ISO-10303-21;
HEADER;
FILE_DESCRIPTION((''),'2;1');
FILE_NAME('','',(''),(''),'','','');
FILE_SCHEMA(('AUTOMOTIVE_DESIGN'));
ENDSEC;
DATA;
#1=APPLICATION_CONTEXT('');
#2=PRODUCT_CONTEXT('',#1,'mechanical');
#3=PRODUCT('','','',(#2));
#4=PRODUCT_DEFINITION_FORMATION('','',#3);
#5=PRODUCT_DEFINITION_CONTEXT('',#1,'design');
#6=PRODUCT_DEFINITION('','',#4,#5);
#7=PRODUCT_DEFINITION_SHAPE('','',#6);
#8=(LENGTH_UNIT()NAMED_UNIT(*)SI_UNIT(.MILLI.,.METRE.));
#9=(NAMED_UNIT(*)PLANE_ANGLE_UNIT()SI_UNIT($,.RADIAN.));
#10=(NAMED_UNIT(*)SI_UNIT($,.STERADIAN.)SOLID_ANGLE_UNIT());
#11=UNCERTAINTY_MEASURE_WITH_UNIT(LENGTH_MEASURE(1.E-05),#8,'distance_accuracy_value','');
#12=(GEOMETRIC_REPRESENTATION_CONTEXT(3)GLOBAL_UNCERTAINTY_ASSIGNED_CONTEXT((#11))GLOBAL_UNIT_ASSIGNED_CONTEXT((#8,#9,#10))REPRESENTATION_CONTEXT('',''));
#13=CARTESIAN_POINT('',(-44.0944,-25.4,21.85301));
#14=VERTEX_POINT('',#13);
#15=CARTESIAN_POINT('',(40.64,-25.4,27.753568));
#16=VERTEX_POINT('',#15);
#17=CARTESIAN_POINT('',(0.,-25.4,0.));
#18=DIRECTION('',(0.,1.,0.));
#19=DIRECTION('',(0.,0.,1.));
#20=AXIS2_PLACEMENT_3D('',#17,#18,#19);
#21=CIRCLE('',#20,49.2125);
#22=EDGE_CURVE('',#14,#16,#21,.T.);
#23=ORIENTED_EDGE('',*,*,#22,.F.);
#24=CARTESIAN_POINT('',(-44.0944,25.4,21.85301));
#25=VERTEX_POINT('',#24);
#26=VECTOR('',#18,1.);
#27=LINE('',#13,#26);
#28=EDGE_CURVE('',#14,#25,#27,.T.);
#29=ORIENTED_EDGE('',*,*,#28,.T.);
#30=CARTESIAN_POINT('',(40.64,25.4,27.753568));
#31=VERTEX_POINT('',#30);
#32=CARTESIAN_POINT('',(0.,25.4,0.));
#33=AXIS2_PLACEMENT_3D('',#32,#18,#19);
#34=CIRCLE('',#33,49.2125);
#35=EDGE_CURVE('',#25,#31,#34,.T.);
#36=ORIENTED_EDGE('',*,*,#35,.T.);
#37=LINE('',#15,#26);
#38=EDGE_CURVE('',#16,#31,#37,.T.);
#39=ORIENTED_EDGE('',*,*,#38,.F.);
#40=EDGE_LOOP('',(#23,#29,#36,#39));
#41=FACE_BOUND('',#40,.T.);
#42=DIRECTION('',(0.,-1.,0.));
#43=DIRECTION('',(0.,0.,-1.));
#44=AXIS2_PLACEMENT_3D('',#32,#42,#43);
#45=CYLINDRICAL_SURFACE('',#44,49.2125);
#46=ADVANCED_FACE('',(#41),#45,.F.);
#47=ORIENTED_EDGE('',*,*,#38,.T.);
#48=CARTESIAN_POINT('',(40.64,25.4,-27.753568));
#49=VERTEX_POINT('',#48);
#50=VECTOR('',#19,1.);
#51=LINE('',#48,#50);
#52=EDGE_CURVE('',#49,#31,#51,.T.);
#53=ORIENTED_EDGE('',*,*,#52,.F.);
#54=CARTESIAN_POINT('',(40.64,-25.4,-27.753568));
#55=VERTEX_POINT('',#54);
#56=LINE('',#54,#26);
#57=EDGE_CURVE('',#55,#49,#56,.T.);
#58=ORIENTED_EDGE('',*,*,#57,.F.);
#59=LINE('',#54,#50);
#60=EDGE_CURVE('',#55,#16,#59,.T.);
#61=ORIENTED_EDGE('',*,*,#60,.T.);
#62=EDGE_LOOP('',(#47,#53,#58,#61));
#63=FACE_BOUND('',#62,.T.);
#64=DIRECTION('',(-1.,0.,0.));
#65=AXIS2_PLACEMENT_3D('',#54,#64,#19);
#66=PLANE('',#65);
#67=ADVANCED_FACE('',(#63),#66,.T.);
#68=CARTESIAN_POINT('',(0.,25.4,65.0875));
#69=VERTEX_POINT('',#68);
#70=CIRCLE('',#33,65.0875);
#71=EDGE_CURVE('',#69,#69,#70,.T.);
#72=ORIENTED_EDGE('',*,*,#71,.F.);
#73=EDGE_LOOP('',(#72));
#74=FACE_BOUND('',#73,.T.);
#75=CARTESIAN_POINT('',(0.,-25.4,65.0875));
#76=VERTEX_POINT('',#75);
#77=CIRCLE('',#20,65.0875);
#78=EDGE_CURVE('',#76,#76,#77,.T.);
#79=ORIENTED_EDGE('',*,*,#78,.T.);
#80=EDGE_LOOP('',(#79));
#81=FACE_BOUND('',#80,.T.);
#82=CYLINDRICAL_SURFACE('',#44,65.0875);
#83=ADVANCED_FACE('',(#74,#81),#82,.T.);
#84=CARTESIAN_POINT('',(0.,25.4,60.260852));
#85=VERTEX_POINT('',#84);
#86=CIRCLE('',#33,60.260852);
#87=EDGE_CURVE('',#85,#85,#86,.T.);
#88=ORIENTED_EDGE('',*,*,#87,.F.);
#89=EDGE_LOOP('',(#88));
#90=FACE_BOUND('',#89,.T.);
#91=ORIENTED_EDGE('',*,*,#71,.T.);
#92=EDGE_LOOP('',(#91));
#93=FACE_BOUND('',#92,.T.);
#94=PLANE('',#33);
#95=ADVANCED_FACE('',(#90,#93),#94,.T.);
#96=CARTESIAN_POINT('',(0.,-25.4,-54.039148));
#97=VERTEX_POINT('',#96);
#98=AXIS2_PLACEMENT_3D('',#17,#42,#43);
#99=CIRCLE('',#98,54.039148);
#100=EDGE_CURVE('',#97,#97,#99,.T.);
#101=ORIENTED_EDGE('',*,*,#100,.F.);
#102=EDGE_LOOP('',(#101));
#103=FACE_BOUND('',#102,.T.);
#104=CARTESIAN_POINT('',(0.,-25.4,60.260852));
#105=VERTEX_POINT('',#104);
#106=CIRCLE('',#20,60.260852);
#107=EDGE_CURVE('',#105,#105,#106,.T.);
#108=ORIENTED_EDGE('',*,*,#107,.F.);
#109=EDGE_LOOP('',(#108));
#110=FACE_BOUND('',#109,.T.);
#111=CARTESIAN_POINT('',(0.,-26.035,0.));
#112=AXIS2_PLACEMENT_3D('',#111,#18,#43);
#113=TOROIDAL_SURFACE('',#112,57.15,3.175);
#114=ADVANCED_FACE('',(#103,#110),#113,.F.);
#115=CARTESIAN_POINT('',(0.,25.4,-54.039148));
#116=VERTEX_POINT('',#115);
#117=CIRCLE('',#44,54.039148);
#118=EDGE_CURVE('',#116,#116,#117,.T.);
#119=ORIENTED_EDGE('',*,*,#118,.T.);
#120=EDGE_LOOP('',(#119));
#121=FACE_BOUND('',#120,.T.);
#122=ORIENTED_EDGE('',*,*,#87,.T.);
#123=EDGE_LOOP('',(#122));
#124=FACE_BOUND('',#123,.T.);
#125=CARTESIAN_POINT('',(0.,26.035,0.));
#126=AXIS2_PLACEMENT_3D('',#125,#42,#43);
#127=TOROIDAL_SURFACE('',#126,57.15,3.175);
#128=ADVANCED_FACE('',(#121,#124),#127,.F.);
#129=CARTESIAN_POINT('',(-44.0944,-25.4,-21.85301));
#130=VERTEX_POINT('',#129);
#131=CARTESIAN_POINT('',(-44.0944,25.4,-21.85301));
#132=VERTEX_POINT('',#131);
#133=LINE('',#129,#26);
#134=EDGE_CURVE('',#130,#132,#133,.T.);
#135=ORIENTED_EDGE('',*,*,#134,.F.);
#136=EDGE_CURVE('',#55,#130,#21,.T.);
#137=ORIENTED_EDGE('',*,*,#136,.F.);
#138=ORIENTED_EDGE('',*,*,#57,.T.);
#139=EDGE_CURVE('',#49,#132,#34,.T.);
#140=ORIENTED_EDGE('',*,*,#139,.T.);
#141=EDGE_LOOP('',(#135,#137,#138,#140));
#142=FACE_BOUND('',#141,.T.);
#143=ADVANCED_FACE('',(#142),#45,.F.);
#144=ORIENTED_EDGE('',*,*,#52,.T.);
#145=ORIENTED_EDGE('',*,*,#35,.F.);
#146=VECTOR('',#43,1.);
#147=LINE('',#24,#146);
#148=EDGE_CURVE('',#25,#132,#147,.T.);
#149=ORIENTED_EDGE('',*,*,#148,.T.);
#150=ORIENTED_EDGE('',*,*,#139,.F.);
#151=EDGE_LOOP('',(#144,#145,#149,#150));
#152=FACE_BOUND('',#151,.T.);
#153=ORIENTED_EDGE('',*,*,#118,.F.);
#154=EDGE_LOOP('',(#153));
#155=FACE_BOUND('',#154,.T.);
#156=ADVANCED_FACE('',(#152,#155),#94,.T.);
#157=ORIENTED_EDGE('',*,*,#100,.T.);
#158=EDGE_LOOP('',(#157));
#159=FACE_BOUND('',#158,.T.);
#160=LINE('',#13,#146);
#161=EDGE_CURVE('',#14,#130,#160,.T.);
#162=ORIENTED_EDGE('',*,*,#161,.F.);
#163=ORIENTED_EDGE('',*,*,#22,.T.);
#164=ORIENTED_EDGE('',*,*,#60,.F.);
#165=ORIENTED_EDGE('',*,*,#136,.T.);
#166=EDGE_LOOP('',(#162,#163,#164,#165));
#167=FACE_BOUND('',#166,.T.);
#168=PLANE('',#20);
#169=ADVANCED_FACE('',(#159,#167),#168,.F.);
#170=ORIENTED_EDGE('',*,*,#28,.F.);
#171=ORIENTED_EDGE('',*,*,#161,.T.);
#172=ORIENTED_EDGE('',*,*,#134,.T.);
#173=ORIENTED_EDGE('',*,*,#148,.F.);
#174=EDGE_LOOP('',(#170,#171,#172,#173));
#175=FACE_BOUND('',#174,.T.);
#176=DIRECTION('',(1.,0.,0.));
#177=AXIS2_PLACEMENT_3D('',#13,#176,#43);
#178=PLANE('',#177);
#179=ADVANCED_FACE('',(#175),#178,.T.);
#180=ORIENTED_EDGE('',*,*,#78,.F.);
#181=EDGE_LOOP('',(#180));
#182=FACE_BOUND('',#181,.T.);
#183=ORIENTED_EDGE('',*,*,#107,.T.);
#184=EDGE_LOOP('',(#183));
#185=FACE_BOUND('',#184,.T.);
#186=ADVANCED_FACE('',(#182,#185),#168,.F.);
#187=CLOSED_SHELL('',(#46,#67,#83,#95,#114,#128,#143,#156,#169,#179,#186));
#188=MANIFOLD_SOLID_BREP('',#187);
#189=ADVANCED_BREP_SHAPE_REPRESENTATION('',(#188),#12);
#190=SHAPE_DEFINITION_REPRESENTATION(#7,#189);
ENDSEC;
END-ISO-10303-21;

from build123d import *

# Parameters (mm, degrees)
SKETCH1_R           = 65.0875
SKETCH1_R_2         = 49.2125
BOSS_EXTRUDE1_DEPTH = 25.4
SKETCH11_R          = 3.175
BOSS_EXTRUDE2_DEPTH = 50.8
BOSS_EXTRUDE4_DEPTH = 50.8


with BuildPart() as part:
    # Sketch1 → Boss-Extrude1 (new body, symmetric)
    with BuildSketch(Plane(origin=(0, 0, 0), x_dir=(1, 0, 0), z_dir=(0, 1, 0))):
        Circle(SKETCH1_R)
        Circle(SKETCH1_R_2, mode=Mode.SUBTRACT)
    extrude(amount=BOSS_EXTRUDE1_DEPTH, both=True)

    # Sketch11 → Cut-Revolve1 (revolve, cut)
    with BuildSketch(Plane.XY):
        with Locations((57.15, 26.035)):
            Circle(SKETCH11_R)
    cut_revolve1 = revolve(axis=Axis((0, 0, 0), (0, 1, 0)), mode=Mode.SUBTRACT)

    # Mirror1: Cut-Revolve1 across plane
    add(cut_revolve1.mirror(Plane.ZX), mode=Mode.SUBTRACT)

    # Sketch3 → Boss-Extrude2 (add, through all)
    with BuildSketch(Plane(origin=(0, 25.4, 0), x_dir=(1, 0, 0), z_dir=(0, 1, 0))):
        with BuildLine():
            Line((-44.0944, -21.853009973), (-44.0944, 21.853009973))
            ThreePointArc((-44.0944, 21.853009973), (-49.2125, 0), (-44.0944, -21.853009973))
        make_face()
    extrude(amount=-BOSS_EXTRUDE2_DEPTH)

    # Sketch6 → Boss-Extrude4 (add, through all)
    with BuildSketch(Plane(origin=(0, 25.4, 0), x_dir=(1, 0, 0), z_dir=(0, 1, 0))):
        with BuildLine():
            Line((40.64, 27.753568352), (40.64, -27.753568352))
            ThreePointArc((40.64, -27.753568352), (49.2125, 0), (40.64, 27.753568352))
        make_face()
    extrude(amount=-BOSS_EXTRUDE4_DEPTH)


solid = part.part
